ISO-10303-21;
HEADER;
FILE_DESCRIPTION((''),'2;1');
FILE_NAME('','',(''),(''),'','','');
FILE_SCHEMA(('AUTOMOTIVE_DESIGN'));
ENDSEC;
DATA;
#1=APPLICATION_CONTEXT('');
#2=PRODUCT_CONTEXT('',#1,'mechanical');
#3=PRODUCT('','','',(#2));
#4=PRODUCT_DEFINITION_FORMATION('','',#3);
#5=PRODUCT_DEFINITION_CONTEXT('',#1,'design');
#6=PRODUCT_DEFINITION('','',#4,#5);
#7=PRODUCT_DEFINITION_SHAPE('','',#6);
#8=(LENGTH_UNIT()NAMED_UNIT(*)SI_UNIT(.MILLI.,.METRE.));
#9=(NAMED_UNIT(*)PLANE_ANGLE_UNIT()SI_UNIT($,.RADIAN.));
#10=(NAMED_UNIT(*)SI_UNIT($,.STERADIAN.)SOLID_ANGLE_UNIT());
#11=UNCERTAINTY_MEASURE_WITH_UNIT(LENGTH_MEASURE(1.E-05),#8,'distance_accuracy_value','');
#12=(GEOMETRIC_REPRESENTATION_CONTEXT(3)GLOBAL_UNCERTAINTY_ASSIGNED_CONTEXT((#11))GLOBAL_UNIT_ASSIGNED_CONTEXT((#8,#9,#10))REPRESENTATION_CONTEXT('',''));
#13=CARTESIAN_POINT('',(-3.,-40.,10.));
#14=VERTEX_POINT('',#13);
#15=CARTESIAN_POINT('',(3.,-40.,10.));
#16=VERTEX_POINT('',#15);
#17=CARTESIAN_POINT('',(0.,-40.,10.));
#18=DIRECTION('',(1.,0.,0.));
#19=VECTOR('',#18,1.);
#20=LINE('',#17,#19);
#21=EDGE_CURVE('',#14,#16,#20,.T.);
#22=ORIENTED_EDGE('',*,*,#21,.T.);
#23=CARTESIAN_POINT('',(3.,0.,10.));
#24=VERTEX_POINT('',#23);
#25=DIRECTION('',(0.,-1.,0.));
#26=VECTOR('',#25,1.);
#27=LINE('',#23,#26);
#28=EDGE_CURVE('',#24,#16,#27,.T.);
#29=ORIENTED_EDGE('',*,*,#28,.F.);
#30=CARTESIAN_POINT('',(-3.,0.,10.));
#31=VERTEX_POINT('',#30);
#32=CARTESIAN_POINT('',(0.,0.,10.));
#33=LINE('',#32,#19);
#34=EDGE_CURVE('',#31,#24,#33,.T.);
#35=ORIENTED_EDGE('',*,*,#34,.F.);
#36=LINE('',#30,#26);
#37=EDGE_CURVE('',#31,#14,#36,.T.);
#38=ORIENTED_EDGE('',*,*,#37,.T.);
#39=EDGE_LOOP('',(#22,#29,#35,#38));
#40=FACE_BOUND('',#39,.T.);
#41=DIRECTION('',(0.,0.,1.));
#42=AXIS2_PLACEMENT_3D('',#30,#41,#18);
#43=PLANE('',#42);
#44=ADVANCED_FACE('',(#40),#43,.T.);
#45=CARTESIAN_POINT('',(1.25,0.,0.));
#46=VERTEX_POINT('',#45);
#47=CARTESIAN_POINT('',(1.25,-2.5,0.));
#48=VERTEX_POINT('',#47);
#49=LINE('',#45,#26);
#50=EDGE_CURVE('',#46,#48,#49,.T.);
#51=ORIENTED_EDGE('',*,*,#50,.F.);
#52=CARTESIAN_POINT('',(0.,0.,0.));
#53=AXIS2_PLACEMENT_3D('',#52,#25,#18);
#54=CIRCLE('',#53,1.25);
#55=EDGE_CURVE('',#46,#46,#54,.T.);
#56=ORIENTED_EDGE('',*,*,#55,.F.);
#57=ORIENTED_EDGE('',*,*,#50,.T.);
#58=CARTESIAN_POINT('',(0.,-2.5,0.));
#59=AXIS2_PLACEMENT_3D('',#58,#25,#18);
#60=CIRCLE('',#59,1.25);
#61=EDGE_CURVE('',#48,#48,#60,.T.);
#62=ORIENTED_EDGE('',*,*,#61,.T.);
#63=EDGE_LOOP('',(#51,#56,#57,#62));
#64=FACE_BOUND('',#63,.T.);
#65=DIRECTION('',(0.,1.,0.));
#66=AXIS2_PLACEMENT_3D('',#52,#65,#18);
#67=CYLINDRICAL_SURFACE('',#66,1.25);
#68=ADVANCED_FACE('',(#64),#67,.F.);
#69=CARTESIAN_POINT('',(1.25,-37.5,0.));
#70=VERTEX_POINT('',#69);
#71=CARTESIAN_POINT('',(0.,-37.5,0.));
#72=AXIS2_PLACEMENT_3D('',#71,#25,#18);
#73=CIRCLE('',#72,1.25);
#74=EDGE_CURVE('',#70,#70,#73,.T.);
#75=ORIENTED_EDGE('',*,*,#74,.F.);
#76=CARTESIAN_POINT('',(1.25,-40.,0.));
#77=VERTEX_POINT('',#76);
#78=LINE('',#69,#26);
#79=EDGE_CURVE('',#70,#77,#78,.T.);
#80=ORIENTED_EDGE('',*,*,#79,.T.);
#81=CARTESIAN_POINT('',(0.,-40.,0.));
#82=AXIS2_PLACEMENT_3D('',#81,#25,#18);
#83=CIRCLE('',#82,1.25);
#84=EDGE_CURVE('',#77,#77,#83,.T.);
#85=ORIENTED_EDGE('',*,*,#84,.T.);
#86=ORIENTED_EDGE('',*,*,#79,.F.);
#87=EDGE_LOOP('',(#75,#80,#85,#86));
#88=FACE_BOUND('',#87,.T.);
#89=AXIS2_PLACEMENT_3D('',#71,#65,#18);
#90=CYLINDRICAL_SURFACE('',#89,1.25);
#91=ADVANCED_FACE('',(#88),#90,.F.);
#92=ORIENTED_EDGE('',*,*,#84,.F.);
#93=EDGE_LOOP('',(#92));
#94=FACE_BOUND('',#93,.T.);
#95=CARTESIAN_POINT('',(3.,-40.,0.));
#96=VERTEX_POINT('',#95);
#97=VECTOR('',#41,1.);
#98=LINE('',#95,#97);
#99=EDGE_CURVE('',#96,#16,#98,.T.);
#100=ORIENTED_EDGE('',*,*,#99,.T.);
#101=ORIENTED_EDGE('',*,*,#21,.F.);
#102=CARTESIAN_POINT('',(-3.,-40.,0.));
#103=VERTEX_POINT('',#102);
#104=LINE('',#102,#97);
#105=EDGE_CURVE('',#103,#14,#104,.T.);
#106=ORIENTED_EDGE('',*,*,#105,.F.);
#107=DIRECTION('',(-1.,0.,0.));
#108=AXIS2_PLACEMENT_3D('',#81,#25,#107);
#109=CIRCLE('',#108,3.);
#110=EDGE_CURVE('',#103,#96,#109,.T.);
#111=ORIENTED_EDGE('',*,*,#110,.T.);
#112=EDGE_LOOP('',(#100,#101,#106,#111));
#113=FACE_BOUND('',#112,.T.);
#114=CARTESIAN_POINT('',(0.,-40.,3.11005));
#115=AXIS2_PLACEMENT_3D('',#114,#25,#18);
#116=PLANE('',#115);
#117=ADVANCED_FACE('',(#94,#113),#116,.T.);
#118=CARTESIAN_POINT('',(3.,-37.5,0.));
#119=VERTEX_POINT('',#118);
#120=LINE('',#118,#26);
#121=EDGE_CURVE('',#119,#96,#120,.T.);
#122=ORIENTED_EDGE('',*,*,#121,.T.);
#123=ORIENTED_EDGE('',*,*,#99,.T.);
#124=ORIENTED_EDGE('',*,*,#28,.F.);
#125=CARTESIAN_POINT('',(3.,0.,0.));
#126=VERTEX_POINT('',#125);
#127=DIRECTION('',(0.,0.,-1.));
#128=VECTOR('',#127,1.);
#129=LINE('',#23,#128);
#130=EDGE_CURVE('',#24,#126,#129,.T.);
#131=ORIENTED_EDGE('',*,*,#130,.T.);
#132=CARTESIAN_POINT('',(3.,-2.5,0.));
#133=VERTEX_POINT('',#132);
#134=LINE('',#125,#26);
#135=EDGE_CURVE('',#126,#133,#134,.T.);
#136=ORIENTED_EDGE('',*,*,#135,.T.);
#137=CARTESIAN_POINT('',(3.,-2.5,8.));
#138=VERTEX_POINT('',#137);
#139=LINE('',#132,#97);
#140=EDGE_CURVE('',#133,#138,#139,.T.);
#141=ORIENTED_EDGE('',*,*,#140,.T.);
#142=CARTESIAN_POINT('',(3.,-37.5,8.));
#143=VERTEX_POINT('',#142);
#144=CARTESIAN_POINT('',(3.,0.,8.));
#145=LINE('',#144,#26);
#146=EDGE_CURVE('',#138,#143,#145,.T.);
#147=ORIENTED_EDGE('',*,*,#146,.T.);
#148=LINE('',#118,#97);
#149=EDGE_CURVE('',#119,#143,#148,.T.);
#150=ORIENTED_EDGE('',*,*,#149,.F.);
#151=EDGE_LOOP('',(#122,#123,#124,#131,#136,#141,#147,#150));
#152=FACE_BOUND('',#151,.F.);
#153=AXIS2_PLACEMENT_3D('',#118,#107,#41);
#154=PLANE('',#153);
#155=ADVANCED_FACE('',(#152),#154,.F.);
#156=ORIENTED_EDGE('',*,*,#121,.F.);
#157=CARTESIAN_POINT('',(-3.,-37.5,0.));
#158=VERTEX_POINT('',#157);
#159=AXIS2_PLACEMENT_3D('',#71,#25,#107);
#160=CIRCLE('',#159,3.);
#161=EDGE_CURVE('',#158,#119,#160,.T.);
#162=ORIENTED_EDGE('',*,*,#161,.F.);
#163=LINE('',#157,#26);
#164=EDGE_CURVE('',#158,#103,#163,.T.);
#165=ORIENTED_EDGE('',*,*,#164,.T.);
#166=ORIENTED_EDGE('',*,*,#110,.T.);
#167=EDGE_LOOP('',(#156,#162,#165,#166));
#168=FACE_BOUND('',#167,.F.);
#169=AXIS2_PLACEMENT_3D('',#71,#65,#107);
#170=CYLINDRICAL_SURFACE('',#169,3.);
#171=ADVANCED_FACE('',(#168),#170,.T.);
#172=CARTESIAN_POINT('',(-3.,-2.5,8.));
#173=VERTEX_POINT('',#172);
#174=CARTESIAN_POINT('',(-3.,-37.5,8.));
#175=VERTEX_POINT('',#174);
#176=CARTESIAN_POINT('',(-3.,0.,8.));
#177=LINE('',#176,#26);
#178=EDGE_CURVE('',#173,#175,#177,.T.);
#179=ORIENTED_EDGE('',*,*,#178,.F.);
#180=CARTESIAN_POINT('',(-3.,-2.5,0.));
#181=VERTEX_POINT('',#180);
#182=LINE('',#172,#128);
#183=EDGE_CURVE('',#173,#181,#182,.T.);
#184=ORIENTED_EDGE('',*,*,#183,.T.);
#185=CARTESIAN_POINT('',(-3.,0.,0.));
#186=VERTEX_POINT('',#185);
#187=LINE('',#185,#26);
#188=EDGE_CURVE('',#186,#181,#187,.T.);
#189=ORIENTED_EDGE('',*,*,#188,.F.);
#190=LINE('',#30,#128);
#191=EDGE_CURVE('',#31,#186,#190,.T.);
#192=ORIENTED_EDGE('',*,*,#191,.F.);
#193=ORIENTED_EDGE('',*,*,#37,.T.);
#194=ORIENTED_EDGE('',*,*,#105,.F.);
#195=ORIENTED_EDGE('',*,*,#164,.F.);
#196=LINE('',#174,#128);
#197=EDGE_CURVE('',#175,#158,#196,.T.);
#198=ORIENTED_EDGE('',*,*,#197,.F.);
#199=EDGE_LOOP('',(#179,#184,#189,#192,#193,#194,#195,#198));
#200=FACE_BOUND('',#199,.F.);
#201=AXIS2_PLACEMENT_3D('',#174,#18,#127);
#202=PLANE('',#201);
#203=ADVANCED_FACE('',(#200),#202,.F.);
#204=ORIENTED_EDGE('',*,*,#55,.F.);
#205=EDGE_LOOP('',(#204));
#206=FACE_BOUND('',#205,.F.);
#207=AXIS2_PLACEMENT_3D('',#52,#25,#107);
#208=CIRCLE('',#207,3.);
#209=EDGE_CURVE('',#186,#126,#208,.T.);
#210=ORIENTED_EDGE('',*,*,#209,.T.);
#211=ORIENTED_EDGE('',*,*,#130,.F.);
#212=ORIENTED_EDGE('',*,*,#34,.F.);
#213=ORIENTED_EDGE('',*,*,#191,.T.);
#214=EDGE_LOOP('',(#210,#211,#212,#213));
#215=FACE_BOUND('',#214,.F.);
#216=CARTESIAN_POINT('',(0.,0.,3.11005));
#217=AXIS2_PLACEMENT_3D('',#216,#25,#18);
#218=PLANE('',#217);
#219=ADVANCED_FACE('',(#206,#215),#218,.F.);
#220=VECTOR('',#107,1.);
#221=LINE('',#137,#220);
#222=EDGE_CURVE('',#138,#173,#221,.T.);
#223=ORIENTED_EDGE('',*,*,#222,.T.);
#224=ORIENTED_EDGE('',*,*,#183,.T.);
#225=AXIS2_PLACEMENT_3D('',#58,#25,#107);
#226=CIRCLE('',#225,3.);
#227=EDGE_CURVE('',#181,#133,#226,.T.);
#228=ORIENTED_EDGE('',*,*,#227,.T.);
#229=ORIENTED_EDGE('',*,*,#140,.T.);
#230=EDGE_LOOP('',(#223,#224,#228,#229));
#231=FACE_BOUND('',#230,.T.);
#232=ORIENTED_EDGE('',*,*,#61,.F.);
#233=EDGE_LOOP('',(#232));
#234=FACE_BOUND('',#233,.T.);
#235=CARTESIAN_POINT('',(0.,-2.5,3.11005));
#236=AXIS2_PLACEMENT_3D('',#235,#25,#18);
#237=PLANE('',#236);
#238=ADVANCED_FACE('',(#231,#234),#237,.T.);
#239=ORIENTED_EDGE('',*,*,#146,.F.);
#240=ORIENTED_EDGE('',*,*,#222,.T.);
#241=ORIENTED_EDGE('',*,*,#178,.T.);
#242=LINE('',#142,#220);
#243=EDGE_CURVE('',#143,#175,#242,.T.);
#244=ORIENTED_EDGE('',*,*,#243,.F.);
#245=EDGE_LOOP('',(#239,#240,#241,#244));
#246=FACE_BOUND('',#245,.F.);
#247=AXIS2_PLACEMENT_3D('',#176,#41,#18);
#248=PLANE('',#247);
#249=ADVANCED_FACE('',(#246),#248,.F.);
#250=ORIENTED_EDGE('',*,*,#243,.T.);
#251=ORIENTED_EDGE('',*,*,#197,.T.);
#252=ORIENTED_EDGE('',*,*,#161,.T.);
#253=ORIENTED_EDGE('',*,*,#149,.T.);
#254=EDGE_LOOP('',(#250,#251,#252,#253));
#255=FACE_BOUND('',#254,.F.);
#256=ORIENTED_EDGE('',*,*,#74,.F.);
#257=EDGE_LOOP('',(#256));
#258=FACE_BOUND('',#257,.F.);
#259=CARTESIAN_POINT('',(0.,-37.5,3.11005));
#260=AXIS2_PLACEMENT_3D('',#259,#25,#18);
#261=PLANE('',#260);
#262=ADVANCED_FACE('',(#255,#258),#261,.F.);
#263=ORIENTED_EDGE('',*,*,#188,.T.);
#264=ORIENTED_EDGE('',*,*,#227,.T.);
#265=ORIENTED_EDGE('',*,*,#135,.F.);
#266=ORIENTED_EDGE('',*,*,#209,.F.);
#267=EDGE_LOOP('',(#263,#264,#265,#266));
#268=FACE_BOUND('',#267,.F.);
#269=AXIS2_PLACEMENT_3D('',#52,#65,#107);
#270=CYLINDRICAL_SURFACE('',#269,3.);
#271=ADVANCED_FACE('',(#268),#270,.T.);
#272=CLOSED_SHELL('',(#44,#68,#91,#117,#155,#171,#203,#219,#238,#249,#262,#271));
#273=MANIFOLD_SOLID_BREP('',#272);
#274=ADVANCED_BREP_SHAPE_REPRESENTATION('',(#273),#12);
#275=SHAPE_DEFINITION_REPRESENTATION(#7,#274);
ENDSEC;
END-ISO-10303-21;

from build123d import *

# Parameters (mm, degrees)
F0_W     = 6
F0_H     = 2
F1_DEPTH = 40
F0_R     = 1.25
F2_DEPTH = 2.5
F3_START = 37.5
F3_DEPTH = 2.5


with BuildPart() as f1:
    # F0 (on Front) → F1 (new body)
    with BuildSketch(Plane.XZ):
        with Locations((0, 9)):
            Rectangle(F0_W, F0_H)
    extrude(amount=F1_DEPTH)

    # F0 (on Front) → F2 (join)
    with BuildSketch(Plane.XZ):
        with BuildLine():
            Line((-3, 8), (-3, 0))
            ThreePointArc((-3, 0), (0, -3), (3, 0))
            Line((3, 0), (3, 8))
            Line((3, 8), (-3, 8))
        make_face()
        Circle(F0_R, mode=Mode.SUBTRACT)
    extrude(amount=F2_DEPTH)

    # F0 (on Front) → F3 (join)
    with BuildSketch(Plane.XZ.offset(F3_START)):
        with BuildLine():
            Line((-3, 8), (-3, 0))
            ThreePointArc((-3, 0), (0, -3), (3, 0))
            Line((3, 0), (3, 8))
            Line((3, 8), (-3, 8))
        make_face()
        Circle(F0_R, mode=Mode.SUBTRACT)
    extrude(amount=F3_DEPTH)


solid = f1.part
